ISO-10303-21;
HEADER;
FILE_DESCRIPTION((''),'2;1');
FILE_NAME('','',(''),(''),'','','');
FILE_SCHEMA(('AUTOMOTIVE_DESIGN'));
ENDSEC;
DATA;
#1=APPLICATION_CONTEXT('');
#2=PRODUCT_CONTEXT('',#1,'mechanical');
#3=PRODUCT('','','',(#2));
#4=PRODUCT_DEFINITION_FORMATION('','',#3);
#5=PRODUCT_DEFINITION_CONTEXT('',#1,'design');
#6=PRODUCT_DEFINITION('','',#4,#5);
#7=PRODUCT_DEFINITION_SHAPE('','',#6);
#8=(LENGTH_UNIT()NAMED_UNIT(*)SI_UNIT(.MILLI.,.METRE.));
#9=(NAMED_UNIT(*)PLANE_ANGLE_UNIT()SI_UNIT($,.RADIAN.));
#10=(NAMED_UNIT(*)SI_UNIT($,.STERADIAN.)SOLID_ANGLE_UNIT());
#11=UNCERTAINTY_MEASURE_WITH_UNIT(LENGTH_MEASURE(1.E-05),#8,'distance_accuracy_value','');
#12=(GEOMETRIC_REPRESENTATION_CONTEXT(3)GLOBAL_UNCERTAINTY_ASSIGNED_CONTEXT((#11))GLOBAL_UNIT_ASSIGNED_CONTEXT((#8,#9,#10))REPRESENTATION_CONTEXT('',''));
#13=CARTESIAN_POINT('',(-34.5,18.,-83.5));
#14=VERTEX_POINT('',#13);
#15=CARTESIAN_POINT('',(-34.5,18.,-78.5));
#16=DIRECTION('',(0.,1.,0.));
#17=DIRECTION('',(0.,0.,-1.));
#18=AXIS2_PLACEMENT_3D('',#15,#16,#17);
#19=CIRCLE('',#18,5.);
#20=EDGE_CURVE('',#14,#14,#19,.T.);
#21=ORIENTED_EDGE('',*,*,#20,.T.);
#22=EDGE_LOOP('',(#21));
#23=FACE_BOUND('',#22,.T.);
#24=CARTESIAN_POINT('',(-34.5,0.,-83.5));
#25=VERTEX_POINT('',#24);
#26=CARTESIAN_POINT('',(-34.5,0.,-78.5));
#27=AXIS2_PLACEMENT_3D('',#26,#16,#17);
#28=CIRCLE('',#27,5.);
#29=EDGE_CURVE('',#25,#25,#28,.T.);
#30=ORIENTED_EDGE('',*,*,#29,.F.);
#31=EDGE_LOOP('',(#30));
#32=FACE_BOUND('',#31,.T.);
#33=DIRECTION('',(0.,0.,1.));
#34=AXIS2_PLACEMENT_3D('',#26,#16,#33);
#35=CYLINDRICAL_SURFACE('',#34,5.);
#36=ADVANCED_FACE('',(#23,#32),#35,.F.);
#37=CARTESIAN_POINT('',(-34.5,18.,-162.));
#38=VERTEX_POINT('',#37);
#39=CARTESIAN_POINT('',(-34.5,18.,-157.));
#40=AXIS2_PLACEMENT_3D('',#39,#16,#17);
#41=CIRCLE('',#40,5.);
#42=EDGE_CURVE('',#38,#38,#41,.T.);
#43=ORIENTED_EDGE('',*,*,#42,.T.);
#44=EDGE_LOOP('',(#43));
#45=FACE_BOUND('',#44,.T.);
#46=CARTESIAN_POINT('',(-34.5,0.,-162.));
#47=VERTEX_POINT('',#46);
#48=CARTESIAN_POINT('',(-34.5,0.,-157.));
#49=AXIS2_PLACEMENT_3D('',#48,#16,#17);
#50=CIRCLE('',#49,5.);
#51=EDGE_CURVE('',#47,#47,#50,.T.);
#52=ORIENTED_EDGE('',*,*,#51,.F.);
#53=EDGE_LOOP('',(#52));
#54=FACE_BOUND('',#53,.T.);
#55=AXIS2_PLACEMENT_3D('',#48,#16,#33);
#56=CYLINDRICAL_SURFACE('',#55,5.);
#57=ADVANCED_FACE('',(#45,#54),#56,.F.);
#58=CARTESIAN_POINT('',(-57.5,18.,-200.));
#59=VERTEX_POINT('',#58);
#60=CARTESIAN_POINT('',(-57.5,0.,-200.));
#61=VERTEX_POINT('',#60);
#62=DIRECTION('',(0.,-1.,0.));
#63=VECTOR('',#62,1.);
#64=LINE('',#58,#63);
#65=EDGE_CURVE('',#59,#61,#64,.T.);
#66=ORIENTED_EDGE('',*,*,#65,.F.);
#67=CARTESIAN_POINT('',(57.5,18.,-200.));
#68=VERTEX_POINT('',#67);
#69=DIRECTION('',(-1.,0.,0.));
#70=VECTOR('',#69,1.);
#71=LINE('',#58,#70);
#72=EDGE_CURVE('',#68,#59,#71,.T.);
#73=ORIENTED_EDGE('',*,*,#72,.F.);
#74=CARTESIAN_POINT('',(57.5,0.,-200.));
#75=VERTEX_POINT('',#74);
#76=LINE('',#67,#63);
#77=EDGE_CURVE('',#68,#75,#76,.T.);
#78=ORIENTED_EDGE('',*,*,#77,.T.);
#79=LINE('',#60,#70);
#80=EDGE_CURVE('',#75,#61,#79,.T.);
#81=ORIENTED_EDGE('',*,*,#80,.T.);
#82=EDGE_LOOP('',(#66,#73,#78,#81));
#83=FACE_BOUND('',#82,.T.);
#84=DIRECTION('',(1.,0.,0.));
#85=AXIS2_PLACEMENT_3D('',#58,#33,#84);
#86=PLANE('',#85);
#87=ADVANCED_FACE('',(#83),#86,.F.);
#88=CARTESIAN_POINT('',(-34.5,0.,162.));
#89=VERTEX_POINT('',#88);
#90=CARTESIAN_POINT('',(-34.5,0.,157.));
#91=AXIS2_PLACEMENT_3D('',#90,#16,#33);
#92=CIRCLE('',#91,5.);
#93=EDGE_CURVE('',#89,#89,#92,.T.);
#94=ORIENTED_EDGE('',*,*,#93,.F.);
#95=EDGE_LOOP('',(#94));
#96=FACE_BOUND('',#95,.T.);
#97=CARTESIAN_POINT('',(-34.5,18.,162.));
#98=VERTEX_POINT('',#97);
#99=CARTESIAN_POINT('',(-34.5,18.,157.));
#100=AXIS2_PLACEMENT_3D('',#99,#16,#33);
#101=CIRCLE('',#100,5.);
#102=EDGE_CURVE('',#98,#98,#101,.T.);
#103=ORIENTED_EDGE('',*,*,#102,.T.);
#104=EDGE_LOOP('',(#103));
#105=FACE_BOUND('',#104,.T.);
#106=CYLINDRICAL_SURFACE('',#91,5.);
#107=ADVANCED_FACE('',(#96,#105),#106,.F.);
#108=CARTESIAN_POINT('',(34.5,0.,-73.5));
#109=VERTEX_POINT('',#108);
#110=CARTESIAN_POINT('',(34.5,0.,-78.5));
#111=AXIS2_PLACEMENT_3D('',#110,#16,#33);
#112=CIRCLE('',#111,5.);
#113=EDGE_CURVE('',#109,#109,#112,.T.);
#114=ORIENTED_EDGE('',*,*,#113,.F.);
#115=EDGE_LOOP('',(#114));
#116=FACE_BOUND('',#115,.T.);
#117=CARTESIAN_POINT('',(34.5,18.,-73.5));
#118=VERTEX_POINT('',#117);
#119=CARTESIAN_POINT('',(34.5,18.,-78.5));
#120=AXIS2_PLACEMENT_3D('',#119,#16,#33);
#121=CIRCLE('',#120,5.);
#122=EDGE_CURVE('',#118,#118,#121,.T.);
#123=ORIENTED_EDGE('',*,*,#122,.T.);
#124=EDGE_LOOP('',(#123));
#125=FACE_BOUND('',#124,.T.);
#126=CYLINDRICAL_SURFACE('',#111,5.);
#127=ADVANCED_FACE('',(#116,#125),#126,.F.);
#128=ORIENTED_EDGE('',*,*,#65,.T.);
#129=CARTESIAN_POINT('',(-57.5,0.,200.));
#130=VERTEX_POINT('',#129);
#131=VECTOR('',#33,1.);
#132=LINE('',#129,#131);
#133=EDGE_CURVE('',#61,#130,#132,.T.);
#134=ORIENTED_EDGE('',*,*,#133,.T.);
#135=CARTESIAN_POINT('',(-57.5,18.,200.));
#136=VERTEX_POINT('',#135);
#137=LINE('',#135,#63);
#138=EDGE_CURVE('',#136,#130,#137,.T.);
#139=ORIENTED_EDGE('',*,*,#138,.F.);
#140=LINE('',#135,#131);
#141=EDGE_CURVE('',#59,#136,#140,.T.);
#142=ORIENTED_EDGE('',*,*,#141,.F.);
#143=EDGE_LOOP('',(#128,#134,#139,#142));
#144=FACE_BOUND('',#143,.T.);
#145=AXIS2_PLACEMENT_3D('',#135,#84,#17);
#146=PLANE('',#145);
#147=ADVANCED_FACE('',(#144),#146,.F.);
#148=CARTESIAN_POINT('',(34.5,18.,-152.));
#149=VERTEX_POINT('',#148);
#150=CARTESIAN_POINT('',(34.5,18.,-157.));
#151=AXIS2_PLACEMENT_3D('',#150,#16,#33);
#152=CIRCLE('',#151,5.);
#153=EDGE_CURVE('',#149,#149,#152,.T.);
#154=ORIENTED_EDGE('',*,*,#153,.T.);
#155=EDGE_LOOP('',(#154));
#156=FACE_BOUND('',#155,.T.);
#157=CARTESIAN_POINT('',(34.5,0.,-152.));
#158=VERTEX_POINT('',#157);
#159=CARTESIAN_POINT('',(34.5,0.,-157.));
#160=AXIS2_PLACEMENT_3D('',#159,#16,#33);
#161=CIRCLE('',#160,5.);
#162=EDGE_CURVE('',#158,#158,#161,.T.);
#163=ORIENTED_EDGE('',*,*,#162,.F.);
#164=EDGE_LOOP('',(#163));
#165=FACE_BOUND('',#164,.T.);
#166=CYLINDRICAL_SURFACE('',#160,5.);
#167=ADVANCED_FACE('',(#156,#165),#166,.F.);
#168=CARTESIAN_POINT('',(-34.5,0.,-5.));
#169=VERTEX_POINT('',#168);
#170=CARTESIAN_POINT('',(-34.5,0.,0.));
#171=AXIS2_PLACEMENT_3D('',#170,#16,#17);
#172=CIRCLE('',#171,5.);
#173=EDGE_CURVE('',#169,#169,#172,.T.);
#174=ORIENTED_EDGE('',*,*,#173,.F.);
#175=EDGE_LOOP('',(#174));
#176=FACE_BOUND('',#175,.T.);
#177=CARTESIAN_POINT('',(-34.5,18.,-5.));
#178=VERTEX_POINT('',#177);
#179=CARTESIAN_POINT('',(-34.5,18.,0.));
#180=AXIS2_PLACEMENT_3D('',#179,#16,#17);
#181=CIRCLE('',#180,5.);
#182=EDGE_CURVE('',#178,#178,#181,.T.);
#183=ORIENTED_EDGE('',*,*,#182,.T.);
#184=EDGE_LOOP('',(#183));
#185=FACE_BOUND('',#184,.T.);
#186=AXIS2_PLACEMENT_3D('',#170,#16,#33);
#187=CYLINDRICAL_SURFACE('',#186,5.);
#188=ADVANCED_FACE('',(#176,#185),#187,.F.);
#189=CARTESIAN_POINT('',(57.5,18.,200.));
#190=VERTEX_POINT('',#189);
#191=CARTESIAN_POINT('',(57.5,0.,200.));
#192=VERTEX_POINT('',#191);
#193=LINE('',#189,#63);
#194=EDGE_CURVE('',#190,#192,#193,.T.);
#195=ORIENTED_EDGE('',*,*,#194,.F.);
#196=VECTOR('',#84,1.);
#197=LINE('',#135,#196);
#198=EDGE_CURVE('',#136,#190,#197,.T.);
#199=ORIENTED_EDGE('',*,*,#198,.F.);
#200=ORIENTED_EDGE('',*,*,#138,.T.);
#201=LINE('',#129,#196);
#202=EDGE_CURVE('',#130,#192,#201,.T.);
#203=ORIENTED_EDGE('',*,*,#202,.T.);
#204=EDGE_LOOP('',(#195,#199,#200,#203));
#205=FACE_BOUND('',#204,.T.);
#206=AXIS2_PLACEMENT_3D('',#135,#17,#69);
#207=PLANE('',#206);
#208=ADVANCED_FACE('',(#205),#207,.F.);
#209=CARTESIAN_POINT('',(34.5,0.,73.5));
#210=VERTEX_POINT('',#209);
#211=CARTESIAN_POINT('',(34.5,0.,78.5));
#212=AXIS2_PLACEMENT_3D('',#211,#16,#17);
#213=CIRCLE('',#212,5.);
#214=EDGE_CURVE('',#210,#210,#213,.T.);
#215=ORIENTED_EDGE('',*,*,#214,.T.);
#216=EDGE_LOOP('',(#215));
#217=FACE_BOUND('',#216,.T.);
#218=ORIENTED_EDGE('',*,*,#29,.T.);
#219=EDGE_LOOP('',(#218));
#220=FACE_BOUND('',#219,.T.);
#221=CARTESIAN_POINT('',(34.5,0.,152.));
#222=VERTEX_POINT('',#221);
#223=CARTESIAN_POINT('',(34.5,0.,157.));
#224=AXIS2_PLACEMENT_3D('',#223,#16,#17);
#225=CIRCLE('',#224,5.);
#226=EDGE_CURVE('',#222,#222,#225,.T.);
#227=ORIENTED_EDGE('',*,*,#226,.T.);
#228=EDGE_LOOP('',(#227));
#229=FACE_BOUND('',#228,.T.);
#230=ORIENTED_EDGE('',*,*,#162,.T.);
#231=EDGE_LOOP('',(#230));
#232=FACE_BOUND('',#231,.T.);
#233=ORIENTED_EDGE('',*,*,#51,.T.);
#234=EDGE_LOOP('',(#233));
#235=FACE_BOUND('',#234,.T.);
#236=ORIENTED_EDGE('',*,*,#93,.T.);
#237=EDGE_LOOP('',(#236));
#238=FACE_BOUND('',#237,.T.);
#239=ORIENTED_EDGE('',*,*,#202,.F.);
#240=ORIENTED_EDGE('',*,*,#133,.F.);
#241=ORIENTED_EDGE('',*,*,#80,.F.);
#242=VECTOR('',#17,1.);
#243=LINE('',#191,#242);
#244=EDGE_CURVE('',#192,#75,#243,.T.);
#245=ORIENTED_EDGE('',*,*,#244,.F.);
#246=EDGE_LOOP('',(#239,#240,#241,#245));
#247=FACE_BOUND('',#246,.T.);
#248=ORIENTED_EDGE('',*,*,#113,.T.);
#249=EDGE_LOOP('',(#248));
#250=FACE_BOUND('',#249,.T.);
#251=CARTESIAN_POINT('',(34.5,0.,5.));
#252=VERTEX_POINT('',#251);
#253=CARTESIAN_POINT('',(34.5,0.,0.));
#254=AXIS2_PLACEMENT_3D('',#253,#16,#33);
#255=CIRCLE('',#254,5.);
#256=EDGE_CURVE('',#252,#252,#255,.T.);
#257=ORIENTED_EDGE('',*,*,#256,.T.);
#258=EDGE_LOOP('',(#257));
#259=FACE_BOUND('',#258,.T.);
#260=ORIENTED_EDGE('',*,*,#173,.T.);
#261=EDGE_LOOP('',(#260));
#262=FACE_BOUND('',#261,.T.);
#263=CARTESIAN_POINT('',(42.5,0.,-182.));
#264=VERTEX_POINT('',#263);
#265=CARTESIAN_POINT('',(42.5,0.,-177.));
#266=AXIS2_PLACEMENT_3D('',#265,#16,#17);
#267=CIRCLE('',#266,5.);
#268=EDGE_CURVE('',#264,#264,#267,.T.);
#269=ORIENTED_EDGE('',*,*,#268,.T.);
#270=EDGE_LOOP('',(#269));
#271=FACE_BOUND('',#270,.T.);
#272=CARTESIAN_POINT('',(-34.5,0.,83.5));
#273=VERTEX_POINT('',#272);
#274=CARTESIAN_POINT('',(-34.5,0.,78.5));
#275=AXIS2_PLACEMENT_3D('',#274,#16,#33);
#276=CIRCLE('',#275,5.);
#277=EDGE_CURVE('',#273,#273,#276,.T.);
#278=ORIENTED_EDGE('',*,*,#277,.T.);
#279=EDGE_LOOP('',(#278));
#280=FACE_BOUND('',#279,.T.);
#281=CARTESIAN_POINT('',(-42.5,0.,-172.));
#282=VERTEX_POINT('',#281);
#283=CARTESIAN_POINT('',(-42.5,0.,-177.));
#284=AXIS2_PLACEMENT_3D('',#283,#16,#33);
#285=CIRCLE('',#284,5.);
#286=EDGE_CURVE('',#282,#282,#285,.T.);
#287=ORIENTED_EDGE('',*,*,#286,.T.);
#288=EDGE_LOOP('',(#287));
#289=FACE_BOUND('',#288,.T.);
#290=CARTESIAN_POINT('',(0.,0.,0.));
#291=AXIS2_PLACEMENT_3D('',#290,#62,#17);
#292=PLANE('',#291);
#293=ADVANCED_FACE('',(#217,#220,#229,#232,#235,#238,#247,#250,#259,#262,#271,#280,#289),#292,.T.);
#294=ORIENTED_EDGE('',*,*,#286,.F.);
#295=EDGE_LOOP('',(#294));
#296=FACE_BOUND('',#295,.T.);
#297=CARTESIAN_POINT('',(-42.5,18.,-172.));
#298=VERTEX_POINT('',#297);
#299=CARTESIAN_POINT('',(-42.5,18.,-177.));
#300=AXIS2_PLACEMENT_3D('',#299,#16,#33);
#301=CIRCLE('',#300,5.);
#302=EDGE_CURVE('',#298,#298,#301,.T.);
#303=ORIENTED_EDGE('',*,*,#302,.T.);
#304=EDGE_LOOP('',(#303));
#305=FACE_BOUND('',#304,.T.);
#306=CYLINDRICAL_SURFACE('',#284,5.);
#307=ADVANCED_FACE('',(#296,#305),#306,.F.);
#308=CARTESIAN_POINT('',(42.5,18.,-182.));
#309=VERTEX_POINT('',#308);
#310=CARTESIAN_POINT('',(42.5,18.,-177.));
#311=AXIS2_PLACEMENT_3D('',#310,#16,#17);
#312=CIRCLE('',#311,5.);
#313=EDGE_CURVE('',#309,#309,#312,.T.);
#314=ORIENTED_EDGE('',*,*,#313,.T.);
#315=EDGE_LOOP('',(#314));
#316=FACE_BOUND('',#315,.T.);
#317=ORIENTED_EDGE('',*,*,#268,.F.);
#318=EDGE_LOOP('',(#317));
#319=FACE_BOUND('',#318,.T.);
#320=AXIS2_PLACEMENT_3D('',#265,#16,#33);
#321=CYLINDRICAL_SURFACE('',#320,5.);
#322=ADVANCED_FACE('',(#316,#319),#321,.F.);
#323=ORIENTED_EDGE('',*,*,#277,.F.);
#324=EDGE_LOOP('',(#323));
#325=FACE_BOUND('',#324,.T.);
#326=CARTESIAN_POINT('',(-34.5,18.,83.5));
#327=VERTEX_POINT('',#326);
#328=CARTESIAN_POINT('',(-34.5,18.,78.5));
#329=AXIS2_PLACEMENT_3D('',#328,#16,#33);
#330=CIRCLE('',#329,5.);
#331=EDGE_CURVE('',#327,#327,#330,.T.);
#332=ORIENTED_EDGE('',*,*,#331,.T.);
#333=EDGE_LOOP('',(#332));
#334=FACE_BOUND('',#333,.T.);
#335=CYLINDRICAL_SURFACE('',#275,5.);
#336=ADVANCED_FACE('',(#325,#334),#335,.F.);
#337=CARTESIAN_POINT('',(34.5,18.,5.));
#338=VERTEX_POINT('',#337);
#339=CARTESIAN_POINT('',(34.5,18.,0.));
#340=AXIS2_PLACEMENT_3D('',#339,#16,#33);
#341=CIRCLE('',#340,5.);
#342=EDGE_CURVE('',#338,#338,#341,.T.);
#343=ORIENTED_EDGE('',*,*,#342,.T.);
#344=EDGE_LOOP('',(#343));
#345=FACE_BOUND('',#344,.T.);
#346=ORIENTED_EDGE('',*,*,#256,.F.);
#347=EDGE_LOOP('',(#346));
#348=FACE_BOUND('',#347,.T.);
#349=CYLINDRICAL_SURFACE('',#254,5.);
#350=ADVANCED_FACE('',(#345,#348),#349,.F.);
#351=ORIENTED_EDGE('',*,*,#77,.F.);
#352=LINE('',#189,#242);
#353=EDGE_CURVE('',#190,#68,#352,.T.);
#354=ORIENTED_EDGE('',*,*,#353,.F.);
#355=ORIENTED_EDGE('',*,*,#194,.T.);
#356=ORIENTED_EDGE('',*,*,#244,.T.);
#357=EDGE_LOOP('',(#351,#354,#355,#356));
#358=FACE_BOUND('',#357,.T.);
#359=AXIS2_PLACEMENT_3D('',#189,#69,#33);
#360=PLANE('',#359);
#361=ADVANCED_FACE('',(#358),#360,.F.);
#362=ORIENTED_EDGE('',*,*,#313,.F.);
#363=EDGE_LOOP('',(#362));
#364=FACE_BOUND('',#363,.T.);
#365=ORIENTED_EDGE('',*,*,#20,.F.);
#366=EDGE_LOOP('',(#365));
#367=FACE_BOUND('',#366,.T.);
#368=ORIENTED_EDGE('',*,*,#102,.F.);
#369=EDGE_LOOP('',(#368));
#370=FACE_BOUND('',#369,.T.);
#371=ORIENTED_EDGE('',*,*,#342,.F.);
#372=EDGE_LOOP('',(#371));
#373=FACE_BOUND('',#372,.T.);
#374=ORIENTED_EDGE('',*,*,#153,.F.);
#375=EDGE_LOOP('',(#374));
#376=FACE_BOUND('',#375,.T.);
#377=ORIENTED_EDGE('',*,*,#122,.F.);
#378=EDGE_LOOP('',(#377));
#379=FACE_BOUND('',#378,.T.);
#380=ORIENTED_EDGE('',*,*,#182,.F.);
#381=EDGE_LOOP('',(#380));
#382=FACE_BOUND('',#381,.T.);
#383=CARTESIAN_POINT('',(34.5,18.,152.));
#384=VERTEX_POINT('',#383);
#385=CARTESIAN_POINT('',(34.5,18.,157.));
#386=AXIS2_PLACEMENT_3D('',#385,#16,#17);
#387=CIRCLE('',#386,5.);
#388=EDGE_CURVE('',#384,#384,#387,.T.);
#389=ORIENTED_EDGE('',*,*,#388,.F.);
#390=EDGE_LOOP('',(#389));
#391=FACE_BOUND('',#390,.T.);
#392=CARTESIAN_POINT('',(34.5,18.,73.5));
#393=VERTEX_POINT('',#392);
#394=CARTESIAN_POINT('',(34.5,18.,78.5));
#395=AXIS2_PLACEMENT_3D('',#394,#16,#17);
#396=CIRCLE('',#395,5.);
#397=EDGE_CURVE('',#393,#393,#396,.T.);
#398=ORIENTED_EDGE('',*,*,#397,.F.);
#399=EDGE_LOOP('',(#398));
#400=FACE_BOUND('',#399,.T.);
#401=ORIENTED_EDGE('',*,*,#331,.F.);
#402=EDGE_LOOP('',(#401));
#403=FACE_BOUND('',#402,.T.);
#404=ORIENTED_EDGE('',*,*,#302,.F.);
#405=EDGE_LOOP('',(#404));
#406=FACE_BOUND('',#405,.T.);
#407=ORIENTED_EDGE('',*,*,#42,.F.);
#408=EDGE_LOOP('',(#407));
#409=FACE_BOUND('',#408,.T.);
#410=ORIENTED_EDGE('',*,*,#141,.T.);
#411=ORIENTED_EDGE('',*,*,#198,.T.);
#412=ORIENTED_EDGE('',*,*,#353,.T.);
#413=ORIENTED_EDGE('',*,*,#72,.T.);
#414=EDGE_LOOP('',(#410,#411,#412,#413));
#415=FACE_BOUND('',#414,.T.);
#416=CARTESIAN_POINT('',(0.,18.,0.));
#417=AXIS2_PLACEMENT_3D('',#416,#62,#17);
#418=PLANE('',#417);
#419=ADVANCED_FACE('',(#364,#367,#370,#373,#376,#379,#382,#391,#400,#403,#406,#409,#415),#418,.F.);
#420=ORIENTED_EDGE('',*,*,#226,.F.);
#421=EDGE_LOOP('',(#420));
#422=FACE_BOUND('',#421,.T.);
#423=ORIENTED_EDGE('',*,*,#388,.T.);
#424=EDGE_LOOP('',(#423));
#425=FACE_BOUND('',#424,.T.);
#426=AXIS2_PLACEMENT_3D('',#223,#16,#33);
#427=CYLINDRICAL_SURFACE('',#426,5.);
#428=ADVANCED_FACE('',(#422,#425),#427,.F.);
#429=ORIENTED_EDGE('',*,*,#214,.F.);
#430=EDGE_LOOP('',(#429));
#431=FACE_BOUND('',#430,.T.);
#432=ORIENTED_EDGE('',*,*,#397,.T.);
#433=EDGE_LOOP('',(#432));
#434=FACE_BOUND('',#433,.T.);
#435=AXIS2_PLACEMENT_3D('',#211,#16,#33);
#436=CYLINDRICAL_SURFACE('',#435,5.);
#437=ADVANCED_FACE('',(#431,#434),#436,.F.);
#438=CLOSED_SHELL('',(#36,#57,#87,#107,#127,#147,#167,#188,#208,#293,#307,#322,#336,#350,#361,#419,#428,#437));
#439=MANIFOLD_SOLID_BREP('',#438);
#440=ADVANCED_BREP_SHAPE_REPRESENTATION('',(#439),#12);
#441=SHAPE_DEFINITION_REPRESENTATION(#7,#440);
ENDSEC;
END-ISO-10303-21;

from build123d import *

# Parameters (mm, degrees)
SKETCH1_W           = 115
SKETCH1_H           = 400
BOSS_EXTRUDE1_DEPTH = 18
SKETCH2_R           = 5
CUT_EXTRUDE1_DEPTH  = 19


with BuildPart() as part:
    # Sketch1 → Boss-Extrude1 (new body)
    with BuildSketch(Plane(origin=(0, 0, 0), x_dir=(1, 0, 0), z_dir=(0, 1, 0))):
        Rectangle(SKETCH1_W, SKETCH1_H)
    extrude(amount=BOSS_EXTRUDE1_DEPTH)

    # Sketch2 → Cut-Extrude1 (cut, through all)
    with BuildSketch(Plane(origin=(0, 18, 0), x_dir=(1, 0, 0), z_dir=(0, 1, 0))):
        with Locations((-42.5, 177)):
            Circle(SKETCH2_R)
        with Locations((42.5, 177)):
            Circle(SKETCH2_R)
        with Locations((34.5, 157)):
            Circle(SKETCH2_R)
        with Locations((34.5, 78.5)):
            Circle(SKETCH2_R)
        with Locations((34.5, 0)):
            Circle(SKETCH2_R)
        with Locations((34.5, -78.5)):
            Circle(SKETCH2_R)
        with Locations((34.5, -157)):
            Circle(SKETCH2_R)
        with Locations((-34.5, -157)):
            Circle(SKETCH2_R)
        with Locations((-34.5, -78.5)):
            Circle(SKETCH2_R)
        with Locations((-34.5, 0)):
            Circle(SKETCH2_R)
        with Locations((-34.5, 78.5)):
            Circle(SKETCH2_R)
        with Locations((-34.5, 157)):
            Circle(SKETCH2_R)
    extrude(amount=-CUT_EXTRUDE1_DEPTH, mode=Mode.SUBTRACT)


solid = part.part
